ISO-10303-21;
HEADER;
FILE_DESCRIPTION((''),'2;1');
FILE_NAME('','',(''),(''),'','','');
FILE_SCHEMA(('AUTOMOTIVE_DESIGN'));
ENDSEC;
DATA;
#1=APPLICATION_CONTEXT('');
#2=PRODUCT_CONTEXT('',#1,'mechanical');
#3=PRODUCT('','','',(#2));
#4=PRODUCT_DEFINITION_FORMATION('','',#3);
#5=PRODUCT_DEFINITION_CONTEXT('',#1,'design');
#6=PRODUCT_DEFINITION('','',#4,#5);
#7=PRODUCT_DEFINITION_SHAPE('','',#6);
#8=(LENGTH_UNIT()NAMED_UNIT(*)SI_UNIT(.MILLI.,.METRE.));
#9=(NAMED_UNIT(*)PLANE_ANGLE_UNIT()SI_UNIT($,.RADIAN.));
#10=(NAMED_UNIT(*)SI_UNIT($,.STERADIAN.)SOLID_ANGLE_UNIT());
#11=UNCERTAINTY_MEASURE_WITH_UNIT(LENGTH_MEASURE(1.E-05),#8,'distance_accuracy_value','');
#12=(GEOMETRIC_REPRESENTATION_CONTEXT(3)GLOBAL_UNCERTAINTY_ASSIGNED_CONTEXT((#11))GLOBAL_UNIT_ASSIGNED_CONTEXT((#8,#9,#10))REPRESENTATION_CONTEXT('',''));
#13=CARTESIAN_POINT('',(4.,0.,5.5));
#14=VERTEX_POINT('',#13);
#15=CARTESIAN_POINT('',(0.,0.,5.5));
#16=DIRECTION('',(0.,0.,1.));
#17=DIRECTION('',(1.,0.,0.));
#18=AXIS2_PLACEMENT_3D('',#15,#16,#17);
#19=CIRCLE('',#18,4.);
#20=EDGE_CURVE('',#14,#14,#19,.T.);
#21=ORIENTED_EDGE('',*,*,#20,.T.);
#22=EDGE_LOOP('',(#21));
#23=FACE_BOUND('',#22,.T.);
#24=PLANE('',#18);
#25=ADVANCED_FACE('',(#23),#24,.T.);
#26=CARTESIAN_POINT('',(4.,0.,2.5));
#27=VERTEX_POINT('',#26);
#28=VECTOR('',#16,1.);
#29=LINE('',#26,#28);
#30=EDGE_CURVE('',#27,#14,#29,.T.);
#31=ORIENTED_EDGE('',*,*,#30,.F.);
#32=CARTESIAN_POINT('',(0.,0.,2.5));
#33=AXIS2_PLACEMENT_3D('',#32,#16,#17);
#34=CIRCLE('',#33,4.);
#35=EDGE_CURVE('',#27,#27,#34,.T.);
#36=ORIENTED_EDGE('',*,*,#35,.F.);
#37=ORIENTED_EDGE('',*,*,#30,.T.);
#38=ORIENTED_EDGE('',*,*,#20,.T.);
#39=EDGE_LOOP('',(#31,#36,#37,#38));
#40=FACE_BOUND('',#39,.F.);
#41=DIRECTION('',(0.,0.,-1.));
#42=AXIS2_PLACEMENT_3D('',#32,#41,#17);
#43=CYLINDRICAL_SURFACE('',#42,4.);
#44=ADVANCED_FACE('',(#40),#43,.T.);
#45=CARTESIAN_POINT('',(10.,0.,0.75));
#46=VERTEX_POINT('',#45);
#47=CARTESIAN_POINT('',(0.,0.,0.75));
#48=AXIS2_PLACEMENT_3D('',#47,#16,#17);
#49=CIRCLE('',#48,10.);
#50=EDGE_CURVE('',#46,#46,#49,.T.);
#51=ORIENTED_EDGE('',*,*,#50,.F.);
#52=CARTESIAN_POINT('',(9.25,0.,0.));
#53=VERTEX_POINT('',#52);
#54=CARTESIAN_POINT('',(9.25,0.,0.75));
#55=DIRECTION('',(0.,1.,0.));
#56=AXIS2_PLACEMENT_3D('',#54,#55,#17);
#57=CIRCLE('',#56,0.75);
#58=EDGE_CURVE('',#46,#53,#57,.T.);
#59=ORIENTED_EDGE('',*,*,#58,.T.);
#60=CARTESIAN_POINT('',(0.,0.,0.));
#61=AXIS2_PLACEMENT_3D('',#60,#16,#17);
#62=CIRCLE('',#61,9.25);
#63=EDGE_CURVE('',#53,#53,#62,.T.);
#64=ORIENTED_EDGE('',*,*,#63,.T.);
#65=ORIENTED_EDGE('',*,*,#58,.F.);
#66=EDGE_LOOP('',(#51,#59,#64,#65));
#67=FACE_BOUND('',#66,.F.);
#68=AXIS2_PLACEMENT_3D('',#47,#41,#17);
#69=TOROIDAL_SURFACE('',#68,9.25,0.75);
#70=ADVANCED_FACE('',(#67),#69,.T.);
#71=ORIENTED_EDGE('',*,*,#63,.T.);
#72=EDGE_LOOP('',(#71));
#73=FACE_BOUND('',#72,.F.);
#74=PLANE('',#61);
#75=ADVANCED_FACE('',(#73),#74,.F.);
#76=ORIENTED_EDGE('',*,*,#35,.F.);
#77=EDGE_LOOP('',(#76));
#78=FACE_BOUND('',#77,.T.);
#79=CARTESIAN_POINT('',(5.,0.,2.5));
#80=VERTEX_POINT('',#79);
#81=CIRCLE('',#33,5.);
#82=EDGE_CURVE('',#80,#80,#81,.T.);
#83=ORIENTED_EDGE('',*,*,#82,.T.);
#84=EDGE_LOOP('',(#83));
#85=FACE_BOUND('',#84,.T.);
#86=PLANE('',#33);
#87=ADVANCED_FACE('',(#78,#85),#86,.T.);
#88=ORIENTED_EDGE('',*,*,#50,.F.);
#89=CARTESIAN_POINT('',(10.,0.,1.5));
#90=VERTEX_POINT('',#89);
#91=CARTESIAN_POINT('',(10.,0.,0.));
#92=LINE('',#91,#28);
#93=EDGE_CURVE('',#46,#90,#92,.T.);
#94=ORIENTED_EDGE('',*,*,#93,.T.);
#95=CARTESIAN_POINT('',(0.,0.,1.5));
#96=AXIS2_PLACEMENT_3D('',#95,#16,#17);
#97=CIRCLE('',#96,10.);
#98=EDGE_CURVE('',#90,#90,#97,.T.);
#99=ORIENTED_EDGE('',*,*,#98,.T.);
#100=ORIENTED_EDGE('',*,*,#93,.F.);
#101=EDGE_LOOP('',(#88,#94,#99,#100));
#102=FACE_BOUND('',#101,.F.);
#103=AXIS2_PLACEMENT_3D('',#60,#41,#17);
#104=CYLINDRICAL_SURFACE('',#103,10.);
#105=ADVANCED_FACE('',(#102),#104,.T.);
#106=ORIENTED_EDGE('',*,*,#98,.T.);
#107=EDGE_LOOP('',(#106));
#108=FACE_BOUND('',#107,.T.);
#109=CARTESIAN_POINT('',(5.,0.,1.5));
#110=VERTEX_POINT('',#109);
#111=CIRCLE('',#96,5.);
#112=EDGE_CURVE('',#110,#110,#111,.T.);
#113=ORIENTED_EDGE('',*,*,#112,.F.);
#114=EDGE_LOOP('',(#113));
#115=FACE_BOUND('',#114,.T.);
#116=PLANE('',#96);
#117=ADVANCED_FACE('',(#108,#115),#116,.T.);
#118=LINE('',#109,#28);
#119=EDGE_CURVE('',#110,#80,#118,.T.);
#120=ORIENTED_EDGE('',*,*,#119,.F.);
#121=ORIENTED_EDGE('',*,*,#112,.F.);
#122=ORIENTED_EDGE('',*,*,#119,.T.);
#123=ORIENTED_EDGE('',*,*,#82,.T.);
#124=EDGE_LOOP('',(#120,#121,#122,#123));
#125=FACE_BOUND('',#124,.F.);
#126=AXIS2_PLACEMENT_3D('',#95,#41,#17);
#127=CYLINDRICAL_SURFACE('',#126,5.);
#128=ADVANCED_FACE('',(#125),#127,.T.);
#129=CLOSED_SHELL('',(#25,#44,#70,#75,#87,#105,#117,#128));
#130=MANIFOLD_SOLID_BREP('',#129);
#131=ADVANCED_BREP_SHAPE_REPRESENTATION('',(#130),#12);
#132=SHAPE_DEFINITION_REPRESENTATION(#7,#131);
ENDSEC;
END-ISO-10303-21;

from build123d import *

# Parameters (mm, degrees)
F0_R     = 10
F1_DEPTH = 1.5
F2_R     = 5
F3_DEPTH = 1
F4_R     = 4
F5_DEPTH = 3
F6_R     = 0.75


with BuildPart() as f1:
    # F0 (on Top) → F1 (new body)
    with BuildSketch(Plane.XY):
        Circle(F0_R)
    extrude(amount=F1_DEPTH)

    # F2 (on face) → F3 (join)
    with BuildSketch(Plane.XY.offset(1.5)):
        Circle(F2_R)
    extrude(amount=F3_DEPTH)

    # F4 (on face) → F5 (join)
    with BuildSketch(Plane.XY.offset(2.5)):
        Circle(F4_R)
    extrude(amount=F5_DEPTH)

    # F6
    f6_edges = [f1.edges().sort_by_distance(p)[0] for p in [
        (-10, 0, 0),
    ]]
    fillet(f6_edges, radius=F6_R)


solid = f1.part
